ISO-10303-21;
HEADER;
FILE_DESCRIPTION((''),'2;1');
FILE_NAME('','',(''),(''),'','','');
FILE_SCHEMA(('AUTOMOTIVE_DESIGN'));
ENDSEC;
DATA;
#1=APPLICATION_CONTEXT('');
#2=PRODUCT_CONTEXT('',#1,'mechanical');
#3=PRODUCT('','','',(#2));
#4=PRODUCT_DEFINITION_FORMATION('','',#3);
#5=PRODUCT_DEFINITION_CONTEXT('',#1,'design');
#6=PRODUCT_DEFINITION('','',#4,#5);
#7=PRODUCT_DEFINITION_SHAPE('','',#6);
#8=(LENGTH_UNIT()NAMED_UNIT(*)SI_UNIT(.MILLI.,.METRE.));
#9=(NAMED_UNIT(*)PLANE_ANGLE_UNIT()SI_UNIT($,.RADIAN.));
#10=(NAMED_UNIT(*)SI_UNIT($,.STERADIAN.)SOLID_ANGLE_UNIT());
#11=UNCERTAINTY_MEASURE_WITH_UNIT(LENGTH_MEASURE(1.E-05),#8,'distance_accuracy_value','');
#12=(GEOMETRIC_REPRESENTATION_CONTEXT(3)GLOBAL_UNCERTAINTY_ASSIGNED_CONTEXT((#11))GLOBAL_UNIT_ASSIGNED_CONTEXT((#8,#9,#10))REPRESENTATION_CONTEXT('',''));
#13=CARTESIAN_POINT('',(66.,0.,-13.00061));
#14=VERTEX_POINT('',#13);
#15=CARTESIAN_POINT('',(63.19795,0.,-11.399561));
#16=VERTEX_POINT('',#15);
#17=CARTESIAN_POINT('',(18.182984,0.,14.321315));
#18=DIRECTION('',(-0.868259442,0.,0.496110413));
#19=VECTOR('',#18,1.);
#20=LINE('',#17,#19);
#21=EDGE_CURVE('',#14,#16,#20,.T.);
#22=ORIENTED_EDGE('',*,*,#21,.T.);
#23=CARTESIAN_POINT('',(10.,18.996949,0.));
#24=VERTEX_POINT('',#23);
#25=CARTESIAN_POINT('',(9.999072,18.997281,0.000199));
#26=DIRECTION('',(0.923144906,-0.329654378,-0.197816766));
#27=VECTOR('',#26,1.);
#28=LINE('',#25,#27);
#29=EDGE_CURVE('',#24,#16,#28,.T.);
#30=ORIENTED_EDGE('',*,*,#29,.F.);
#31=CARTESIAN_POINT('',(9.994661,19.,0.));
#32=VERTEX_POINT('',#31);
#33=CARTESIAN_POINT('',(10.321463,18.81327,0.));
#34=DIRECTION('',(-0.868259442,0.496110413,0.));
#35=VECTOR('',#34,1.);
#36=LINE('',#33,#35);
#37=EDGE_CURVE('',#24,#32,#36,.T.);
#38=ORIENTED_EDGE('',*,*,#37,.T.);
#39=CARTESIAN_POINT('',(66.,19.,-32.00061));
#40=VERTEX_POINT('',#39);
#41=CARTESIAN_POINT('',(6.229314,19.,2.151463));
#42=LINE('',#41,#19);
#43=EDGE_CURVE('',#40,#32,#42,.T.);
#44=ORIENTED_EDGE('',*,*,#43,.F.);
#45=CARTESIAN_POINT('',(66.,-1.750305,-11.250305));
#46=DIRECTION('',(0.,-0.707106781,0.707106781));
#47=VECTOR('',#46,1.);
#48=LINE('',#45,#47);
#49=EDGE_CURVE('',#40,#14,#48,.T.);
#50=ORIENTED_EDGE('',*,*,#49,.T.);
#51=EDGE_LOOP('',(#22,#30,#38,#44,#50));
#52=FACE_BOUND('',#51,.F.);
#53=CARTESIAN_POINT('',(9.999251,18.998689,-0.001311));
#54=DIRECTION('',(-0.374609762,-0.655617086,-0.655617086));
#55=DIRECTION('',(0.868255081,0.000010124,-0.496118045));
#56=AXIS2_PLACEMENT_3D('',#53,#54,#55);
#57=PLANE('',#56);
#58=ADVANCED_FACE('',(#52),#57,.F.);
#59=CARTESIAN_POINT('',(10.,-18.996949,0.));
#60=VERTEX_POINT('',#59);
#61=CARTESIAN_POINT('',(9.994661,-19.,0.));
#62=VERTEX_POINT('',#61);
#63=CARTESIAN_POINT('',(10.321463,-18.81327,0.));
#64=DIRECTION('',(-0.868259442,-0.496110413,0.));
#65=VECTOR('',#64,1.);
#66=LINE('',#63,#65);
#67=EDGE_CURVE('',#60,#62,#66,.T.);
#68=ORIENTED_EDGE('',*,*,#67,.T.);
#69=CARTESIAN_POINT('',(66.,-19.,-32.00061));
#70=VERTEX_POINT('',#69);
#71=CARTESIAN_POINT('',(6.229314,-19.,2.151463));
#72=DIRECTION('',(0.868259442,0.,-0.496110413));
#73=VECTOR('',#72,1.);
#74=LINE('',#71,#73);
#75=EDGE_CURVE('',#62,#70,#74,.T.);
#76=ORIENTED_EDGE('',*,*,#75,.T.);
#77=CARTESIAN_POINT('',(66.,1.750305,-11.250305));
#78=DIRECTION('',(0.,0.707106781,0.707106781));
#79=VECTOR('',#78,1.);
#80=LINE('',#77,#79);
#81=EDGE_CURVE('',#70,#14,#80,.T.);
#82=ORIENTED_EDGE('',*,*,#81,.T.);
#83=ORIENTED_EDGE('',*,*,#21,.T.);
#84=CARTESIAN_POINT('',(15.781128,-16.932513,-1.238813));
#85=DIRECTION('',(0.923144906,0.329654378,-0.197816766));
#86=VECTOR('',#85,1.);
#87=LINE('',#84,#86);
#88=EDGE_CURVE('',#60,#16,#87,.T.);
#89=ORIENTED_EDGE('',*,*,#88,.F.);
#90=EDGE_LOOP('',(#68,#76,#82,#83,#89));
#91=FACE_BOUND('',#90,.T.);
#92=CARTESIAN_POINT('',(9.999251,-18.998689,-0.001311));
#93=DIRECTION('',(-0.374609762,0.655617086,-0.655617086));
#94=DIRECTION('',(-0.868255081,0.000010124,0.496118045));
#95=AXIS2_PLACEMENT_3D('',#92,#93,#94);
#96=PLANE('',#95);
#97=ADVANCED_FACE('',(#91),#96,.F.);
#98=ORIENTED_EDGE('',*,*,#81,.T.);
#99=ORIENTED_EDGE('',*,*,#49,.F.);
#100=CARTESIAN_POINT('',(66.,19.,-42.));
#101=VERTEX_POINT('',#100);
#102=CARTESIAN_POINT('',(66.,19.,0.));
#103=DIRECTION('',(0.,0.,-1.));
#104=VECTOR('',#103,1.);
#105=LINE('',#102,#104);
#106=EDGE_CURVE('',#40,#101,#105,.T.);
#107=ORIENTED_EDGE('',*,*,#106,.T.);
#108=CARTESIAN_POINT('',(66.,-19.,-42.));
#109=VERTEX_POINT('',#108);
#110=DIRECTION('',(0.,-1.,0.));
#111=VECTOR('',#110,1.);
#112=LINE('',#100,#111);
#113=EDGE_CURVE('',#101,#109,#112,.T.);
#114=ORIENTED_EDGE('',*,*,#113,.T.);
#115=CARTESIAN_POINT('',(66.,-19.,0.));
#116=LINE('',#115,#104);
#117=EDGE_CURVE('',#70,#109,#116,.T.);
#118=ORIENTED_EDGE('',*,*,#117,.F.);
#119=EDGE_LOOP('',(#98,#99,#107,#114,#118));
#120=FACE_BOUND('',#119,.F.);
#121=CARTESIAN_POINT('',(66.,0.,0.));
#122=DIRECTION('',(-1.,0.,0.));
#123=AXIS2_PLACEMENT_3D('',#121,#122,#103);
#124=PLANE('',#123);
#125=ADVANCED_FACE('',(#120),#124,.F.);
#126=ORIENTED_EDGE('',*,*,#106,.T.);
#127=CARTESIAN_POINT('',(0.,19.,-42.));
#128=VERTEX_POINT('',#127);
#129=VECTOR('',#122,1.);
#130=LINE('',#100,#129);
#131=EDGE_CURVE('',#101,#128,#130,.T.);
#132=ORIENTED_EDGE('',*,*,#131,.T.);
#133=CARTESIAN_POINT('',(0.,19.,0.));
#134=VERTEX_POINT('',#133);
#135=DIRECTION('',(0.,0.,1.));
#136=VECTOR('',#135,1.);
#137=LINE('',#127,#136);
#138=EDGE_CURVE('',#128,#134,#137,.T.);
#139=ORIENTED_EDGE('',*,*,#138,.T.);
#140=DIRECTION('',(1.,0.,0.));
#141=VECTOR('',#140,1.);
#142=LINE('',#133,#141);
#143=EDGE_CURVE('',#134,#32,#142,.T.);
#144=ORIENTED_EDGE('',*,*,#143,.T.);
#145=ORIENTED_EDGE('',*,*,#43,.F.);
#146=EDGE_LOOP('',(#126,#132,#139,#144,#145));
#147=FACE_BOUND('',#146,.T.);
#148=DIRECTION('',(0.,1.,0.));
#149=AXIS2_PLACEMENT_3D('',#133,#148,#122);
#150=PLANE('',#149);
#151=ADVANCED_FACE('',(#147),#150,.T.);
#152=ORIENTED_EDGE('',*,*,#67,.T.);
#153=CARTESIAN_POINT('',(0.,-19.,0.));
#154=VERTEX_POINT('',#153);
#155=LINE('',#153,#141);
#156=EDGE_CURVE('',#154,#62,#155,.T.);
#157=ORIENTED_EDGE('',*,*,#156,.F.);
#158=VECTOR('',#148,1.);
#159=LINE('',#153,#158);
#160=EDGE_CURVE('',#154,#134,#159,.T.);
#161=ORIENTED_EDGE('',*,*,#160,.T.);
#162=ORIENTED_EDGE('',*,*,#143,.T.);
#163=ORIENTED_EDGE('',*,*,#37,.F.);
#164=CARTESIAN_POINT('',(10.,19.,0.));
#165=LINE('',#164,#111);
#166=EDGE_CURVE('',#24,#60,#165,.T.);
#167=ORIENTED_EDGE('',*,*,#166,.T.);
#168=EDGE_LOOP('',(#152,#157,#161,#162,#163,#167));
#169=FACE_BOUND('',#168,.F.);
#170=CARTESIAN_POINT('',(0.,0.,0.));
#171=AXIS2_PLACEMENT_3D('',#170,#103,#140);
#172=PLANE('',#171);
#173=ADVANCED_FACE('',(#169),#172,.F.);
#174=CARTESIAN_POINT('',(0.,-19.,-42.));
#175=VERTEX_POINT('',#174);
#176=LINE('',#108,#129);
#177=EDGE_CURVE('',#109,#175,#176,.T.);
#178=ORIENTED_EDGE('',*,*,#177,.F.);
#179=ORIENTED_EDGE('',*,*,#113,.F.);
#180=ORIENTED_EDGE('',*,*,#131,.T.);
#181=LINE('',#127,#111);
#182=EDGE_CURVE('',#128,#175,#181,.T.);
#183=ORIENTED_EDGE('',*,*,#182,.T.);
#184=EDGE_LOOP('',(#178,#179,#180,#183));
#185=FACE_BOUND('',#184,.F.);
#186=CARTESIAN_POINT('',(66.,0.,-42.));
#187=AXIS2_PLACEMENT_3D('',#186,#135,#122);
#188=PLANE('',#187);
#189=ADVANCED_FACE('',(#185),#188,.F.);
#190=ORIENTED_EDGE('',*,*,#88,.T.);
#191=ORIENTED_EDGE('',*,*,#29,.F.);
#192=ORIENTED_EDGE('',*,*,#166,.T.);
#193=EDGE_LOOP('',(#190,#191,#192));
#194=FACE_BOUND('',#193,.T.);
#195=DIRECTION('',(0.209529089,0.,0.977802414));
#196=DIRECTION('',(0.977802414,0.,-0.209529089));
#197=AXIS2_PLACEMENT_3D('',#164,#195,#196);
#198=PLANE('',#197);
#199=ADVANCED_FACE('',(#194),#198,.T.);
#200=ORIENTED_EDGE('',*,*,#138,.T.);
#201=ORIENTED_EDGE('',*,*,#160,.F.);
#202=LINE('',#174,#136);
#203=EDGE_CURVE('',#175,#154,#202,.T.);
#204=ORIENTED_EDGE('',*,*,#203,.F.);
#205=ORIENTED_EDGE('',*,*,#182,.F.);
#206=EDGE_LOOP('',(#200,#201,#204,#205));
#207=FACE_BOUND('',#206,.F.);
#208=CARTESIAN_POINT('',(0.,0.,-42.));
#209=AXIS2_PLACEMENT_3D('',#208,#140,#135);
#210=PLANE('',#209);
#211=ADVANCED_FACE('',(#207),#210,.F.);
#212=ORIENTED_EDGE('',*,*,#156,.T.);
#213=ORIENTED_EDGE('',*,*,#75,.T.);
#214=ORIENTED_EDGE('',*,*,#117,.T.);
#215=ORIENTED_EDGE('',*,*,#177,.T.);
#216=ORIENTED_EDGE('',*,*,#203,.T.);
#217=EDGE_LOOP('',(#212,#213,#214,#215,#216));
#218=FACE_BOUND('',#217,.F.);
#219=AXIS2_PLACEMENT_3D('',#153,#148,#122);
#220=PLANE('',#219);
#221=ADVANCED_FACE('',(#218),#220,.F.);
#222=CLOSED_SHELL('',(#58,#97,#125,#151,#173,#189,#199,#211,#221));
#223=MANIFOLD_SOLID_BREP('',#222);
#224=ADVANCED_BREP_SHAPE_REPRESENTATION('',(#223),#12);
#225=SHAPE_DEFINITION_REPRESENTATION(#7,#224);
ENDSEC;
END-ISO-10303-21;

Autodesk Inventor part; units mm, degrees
ref_plane "YZ Plane" through (0, 0, 0) normal (1, 0, 0) x (0, 1, 0)
ref_plane "XZ Plane" through (0, 0, 0) normal (0, 1, 0) x (-1, 0, 0)
sketch "草圖1" plane through (0, 0, 0) normal (0, 1, 0) x (-1, 0, 0)
  line L0 (0, 0) -> (-66, 0)
  line L1 (-66, 0) -> (-66, -42)
  line L2 (-66, -42) -> (0, -42)
  line L3 (0, -42) -> (0, 0)
  dimension "d0" = 66
  dimension "d1" = 42
extrude "擠出1" add sketch "草圖1" along normal mid plane 38
sketch "草圖2" plane through (0, 19, 0) normal (0, 1, 0) x (1, 0, 0)
  line L0 (0, 0) -> (66, 0) projected
  line L1 (10, 0) -> (66, 12)
  line L2 (66, 0) -> (66, 42) projected
  dimension "d4" = 10
  dimension "d5" = 30
extrude "擠出2" cut sketch "草圖2" against normal blind 40
sketch "草圖3" plane through (66, -19, -42) normal (1, 0, 0) x (0, 0, -1)
  line L0 (-30, 18) -> (-10, 38)
  line L1 (0, 38) -> (-42, 38) projected
  line L2 (-30, 38) -> (-30, 0) projected
  point P0 (-42, 19)
  dimension "d8" = 20
  dimension "d9" = 20
ref_plane "工作平面1" through (10, 19, 0) normal (-0.3746, -0.6556, -0.6556) x (0.8682, 0, -0.4961)
sketch "草圖4" plane through (10, 19, 0) normal (-0.3746, -0.6556, -0.6556) x (0.8682, 0, -0.4961)
  line L0 (-15.1543, -12.3218) -> (93.717, -12.3218)
  line L1 (93.717, -12.3218) -> (93.717, 28.8166)
  line L2 (93.717, 28.8166) -> (-15.1543, 28.8166)
  line L3 (-15.1543, 28.8166) -> (-15.1543, -12.3218)
  point P0 (-8.6824, 11.0942)
extrude "擠出3" cut sketch "草圖4" against normal blind 40
mirror "鏡射1" about plane through (0, 0, 0) normal (0, 1, 0) of "擠出3"
properties part number "6440"
